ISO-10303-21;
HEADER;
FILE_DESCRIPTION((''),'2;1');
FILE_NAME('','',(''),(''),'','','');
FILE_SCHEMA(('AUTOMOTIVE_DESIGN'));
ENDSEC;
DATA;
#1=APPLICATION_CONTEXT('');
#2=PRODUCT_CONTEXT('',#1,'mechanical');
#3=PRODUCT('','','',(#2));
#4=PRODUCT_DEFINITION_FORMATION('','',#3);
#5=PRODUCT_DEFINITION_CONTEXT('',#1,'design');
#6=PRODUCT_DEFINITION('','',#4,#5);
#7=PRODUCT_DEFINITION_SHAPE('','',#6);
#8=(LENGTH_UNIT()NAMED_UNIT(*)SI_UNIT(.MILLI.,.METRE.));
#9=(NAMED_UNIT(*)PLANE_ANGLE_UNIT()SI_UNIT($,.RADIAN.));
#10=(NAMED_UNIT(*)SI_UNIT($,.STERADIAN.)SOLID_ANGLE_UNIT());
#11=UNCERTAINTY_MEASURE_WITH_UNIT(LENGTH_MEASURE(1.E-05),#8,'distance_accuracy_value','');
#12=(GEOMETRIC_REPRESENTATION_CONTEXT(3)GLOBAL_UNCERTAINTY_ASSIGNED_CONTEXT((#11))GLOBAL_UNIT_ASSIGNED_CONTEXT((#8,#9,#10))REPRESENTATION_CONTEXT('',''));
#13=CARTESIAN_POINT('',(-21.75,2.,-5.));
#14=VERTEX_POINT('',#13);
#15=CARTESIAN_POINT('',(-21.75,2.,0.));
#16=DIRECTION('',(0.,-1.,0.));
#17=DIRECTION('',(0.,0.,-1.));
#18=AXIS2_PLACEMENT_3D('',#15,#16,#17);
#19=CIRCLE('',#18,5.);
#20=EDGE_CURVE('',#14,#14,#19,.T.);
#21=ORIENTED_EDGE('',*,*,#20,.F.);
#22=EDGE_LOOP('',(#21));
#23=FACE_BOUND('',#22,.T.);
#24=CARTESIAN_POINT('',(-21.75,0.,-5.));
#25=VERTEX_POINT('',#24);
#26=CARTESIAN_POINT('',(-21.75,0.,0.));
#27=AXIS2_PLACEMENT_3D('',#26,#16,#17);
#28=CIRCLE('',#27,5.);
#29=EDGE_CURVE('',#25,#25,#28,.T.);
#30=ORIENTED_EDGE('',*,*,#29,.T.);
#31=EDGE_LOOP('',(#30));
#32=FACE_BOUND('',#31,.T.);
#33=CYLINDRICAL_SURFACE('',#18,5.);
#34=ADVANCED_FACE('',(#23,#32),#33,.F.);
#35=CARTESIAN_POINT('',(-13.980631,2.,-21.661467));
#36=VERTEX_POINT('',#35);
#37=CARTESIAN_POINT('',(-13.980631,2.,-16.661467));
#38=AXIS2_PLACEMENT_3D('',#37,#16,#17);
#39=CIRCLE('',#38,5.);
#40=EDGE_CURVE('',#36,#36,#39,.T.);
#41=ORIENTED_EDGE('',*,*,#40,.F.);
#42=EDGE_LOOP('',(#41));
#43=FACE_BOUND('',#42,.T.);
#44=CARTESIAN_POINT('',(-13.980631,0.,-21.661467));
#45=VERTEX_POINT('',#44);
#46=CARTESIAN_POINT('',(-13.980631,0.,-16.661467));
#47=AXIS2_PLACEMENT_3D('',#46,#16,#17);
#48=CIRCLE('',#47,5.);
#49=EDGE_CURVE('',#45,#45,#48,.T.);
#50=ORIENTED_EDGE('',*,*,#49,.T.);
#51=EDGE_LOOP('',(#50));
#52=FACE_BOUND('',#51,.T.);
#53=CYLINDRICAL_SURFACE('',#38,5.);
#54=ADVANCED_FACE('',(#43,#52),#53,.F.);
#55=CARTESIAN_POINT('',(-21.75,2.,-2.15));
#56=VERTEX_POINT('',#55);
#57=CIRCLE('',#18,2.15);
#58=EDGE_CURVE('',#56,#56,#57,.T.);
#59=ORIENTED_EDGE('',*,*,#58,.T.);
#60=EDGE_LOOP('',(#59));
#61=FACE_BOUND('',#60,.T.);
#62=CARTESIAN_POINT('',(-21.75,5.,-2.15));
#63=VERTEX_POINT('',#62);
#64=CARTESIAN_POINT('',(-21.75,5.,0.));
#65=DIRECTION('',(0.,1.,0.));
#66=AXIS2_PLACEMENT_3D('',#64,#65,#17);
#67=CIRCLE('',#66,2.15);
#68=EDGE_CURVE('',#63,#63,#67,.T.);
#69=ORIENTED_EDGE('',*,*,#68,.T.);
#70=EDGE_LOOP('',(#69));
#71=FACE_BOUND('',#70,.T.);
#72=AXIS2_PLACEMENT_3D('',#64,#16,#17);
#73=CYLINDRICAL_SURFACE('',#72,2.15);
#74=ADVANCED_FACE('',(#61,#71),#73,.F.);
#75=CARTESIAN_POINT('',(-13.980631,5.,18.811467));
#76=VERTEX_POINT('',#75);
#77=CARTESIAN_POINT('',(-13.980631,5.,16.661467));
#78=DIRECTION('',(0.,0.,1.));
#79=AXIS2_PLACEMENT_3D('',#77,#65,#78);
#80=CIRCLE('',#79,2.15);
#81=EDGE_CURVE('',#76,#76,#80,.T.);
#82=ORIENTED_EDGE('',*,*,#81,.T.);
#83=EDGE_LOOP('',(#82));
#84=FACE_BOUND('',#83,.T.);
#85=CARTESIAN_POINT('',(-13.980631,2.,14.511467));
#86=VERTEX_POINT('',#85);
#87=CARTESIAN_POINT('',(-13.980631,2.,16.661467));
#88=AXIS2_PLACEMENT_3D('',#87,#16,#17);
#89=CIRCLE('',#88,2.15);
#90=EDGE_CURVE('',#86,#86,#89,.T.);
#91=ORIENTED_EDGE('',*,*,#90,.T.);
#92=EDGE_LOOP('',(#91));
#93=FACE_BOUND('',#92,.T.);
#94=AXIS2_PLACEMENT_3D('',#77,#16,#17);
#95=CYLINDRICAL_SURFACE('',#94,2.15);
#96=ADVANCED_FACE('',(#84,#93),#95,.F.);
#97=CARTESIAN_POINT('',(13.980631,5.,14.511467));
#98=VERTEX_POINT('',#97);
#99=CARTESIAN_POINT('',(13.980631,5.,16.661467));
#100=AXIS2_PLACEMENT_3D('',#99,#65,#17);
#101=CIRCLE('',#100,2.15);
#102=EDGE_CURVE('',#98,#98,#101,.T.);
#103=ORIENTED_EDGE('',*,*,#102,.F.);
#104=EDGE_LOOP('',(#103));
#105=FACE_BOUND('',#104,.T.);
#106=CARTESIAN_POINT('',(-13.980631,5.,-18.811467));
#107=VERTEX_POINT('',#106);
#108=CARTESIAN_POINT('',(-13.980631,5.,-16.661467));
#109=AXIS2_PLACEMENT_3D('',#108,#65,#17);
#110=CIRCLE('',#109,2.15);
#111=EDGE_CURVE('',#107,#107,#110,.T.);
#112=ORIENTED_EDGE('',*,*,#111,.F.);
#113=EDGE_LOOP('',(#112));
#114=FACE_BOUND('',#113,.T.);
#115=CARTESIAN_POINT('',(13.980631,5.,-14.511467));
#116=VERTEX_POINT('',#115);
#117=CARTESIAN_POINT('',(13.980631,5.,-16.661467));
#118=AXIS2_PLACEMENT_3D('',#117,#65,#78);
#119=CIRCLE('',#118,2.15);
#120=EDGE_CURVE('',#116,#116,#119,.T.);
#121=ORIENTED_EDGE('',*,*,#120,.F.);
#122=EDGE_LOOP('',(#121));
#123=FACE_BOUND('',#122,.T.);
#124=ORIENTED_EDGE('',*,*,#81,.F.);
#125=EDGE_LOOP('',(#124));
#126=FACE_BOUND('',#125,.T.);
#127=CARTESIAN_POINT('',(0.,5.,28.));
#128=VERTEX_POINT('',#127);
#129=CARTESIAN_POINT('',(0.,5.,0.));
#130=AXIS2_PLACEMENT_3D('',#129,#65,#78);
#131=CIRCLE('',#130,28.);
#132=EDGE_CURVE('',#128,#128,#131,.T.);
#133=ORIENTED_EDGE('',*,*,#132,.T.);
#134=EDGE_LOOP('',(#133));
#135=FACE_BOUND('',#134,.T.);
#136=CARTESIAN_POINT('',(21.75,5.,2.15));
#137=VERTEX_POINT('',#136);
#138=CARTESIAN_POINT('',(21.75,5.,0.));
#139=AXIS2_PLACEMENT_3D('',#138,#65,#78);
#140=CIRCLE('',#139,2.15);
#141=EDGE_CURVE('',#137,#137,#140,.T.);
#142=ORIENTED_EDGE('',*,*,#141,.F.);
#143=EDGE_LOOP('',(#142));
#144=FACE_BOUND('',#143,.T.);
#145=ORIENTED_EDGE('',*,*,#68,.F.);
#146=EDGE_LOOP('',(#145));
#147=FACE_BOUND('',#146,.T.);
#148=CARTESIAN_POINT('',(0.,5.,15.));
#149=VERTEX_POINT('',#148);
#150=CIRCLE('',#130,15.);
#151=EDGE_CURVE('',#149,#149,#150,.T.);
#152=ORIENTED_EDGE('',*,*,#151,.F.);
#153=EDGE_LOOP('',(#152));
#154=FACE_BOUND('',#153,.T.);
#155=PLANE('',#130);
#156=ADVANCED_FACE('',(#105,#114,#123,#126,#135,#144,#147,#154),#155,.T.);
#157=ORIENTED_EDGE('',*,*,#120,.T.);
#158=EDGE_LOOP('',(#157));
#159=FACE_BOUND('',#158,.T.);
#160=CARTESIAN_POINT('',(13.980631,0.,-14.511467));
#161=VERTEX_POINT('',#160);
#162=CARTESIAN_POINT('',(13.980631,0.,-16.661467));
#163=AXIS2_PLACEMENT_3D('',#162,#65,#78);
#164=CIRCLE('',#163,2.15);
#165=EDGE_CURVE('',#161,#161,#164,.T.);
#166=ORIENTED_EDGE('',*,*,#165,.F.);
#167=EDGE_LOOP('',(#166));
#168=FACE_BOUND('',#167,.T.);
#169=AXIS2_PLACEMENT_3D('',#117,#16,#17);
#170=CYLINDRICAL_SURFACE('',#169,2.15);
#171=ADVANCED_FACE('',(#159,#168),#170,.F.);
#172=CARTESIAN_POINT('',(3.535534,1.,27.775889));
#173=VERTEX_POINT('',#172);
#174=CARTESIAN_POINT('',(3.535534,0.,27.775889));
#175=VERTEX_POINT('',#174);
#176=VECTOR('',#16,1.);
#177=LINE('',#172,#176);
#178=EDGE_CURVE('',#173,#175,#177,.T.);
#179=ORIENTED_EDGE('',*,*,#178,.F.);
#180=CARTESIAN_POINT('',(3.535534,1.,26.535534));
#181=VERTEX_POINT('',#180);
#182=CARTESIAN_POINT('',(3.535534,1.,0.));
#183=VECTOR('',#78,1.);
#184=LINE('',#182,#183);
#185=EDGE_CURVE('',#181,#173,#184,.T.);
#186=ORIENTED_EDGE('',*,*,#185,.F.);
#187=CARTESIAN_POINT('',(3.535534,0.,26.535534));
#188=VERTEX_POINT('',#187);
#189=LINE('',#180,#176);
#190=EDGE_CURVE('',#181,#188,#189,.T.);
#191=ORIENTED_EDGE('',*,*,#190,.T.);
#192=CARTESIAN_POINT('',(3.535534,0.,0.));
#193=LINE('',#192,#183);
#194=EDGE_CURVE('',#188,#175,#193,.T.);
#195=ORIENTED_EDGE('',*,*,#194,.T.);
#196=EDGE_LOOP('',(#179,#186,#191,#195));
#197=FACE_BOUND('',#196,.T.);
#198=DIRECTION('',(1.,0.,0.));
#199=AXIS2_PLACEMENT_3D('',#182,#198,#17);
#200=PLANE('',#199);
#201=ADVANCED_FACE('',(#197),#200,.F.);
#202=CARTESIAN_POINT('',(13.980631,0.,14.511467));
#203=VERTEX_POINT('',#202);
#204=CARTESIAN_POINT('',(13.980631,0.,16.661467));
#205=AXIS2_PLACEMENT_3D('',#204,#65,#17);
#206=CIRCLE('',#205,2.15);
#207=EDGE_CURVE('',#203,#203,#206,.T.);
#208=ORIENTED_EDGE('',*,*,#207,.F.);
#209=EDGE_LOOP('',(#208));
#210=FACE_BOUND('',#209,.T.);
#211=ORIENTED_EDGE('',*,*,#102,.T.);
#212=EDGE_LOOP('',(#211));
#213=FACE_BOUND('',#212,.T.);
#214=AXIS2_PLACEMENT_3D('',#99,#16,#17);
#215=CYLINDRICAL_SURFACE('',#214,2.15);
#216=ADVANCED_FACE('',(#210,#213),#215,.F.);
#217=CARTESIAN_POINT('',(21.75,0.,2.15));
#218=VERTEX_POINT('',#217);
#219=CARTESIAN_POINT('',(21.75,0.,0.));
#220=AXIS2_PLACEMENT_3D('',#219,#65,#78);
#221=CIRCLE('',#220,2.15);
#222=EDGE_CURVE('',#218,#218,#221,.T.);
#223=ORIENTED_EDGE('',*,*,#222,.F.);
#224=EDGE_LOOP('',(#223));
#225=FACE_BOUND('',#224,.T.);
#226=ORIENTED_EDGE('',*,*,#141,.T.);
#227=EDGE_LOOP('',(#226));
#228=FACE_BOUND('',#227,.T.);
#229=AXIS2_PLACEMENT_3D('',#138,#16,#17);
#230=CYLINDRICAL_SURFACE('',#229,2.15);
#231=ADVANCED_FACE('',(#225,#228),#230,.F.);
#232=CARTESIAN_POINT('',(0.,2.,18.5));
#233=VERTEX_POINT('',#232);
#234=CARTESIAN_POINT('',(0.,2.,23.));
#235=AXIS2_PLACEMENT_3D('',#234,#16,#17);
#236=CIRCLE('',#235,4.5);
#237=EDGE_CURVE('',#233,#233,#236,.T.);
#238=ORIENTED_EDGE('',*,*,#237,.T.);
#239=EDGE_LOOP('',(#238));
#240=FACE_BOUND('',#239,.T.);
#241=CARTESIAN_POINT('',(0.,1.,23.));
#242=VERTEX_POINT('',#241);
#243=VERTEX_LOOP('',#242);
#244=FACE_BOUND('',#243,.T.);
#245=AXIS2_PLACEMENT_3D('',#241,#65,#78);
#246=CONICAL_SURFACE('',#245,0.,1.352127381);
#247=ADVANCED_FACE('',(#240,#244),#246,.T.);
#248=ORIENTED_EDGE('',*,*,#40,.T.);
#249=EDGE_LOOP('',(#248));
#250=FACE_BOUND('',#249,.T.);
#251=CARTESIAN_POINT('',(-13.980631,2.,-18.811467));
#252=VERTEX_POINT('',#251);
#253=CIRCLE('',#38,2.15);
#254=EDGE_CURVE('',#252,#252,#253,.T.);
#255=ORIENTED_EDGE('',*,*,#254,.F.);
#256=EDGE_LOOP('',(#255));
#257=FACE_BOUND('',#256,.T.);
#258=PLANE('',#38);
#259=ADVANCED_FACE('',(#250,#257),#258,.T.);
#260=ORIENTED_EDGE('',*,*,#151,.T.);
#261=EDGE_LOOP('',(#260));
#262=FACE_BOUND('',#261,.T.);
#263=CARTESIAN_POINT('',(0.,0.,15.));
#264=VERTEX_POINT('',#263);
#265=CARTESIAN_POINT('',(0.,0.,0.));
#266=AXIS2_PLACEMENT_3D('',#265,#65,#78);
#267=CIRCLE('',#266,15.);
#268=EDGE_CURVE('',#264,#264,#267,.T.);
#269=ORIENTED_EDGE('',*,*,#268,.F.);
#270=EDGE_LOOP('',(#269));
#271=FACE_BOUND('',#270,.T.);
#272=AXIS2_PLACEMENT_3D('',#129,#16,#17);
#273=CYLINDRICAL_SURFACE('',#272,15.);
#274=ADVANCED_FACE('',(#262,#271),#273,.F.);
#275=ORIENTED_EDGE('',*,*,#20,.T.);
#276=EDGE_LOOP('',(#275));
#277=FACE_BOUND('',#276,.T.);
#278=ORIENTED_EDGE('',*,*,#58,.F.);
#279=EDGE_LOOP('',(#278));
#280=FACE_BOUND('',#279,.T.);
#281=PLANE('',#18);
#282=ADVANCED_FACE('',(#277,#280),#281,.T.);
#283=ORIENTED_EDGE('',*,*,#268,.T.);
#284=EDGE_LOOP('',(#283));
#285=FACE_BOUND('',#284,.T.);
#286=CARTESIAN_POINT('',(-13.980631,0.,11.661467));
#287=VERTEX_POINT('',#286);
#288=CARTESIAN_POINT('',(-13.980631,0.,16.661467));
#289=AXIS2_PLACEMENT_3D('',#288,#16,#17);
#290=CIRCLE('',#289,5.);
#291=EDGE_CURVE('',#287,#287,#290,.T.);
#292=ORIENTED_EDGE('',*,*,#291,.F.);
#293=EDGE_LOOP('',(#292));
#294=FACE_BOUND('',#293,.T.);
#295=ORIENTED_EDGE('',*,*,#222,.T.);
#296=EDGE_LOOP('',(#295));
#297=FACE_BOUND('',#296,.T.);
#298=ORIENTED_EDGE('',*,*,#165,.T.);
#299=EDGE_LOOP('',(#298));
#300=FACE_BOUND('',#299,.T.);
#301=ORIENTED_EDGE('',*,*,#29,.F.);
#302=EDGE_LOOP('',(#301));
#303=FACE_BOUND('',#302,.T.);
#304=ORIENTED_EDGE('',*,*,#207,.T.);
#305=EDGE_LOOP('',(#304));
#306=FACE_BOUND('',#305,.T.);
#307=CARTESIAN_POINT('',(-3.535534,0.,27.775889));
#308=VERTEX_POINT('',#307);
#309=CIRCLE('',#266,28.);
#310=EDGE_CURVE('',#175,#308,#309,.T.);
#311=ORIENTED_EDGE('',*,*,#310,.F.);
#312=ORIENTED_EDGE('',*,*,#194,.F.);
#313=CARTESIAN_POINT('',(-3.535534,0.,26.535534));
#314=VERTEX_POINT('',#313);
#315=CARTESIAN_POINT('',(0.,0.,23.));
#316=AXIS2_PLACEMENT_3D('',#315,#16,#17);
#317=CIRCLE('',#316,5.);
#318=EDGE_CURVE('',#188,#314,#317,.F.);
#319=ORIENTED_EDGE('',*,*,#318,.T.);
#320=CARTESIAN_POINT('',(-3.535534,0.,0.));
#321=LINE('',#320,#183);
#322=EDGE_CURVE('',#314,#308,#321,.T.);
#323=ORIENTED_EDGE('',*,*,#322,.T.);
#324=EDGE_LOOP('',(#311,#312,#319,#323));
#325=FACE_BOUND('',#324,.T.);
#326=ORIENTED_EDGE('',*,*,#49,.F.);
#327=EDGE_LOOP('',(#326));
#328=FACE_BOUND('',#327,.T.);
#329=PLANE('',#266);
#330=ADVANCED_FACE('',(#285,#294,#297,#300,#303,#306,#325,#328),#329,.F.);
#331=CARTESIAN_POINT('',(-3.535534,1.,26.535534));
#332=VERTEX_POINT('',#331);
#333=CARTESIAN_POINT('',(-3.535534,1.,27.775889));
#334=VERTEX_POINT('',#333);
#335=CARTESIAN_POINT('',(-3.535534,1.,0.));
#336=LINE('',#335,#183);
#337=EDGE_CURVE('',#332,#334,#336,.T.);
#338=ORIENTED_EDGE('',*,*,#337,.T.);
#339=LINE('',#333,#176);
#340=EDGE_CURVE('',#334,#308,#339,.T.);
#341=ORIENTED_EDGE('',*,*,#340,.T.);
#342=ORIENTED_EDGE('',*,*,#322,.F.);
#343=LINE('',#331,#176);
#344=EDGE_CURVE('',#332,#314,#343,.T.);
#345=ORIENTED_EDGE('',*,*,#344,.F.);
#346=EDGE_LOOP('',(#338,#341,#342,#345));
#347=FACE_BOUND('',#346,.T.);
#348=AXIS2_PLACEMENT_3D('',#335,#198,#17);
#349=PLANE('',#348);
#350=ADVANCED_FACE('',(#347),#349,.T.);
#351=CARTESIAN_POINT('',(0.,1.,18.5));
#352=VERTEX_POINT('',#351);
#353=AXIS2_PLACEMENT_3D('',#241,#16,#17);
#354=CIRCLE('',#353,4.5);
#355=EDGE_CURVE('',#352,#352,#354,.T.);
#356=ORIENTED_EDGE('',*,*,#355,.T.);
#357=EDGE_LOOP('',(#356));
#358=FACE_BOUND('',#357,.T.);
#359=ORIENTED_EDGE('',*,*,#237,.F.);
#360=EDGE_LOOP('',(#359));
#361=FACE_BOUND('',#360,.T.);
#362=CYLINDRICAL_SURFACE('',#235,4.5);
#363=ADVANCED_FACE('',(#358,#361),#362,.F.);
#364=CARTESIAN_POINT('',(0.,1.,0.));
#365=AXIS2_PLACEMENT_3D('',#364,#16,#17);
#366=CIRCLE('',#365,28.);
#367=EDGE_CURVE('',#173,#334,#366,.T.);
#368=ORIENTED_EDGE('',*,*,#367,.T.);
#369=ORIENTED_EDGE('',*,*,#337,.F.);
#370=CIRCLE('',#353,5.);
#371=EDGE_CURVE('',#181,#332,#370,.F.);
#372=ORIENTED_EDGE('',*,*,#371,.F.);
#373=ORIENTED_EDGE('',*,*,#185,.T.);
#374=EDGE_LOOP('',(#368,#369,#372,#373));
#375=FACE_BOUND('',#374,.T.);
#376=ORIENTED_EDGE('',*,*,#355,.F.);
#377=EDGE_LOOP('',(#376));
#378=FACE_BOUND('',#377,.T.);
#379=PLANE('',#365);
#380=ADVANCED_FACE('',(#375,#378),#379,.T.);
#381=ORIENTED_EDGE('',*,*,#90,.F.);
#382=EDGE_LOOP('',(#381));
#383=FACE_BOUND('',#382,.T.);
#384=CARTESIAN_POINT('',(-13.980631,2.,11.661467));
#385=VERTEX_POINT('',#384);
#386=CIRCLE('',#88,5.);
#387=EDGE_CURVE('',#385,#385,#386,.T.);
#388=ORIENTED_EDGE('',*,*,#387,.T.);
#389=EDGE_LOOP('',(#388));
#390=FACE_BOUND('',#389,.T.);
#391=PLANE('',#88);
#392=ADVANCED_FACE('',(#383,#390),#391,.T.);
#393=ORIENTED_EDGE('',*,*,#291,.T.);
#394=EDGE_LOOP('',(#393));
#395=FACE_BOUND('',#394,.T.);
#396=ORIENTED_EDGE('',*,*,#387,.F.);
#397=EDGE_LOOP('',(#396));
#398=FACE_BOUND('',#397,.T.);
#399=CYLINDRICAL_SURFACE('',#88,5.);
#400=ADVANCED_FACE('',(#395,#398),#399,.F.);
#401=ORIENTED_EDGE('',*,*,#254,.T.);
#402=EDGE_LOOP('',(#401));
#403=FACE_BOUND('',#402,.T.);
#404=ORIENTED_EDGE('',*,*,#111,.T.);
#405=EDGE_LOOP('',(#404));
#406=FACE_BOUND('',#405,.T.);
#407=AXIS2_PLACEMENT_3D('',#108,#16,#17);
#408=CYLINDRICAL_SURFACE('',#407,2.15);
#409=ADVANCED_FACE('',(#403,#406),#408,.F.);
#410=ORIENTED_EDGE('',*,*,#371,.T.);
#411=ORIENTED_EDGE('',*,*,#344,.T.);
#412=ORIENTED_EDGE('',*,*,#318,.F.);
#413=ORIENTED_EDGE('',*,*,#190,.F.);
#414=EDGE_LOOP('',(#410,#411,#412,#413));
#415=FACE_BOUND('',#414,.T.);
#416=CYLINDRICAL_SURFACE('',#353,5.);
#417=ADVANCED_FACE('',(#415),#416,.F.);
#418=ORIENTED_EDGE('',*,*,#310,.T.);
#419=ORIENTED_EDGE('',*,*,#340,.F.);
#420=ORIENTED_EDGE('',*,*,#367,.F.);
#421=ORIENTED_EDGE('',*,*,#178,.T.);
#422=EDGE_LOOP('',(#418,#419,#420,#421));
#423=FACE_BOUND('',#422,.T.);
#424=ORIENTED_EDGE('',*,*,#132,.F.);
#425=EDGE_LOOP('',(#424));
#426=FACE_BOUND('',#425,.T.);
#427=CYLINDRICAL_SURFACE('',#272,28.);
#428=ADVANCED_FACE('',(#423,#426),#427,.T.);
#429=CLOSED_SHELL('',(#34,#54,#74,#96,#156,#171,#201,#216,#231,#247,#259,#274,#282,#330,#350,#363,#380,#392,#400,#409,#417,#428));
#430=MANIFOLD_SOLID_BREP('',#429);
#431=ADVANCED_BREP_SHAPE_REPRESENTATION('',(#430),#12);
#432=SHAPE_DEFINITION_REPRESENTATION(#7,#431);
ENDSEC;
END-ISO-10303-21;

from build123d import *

# Parameters (mm, degrees)
SKETCH_1_R          = 28
SKETCH_1_R_2        = 2.15
SKETCH_1_R_3        = 15
EXTRUDE_1_DEPTH     = 5
CUT_EXTRUDE_3_DEPTH = 1
SKETCH_5_R          = 5
CUT_EXTRUDE_5_DEPTH = 2
SKETCH_6_R          = 4.5
CUT_EXTRUDE_6_DEPTH = 1


with BuildPart() as part:
    # 草图1 → 凸台-拉伸1 (new body)
    with BuildSketch(Plane(origin=(0, 0, 0), x_dir=(1, 0, 0), z_dir=(0, 1, 0))):
        Circle(SKETCH_1_R)
        with Locations((13.980630511, -16.661466638)):
            Circle(SKETCH_1_R_2, mode=Mode.SUBTRACT)
        with Locations((13.980630511, 16.661466638)):
            Circle(SKETCH_1_R_2, mode=Mode.SUBTRACT)
        with Locations((21.75, 0)):
            Circle(SKETCH_1_R_2, mode=Mode.SUBTRACT)
        with Locations((-13.980630511, -16.661466638)):
            Circle(SKETCH_1_R_2, mode=Mode.SUBTRACT)
        with Locations((-21.75, 0)):
            Circle(SKETCH_1_R_2, mode=Mode.SUBTRACT)
        with Locations((-13.980630511, 16.661466638)):
            Circle(SKETCH_1_R_2, mode=Mode.SUBTRACT)
        Circle(SKETCH_1_R_3, mode=Mode.SUBTRACT)
    extrude(amount=EXTRUDE_1_DEPTH)

    # 草图2 → 切除-拉伸3 (cut)
    with BuildSketch(Plane(origin=(0, 0, 0), x_dir=(1, 0, 0), z_dir=(0, 1, 0))):
        with BuildLine():
            Line((3.535533906, -26.535533906), (3.535533906, -27.775888825))
            ThreePointArc((3.535533906, -27.775888825), (0, -28), (-3.535533906, -27.775888825))
            Line((-3.535533906, -27.775888825), (-3.535533906, -26.535533906))
            ThreePointArc((-3.535533906, -26.535533906), (0, -18), (3.535533906, -26.535533906))
        make_face()
    extrude(amount=CUT_EXTRUDE_3_DEPTH, mode=Mode.SUBTRACT)

    # 草图5 → 切除-拉伸5 (cut)
    with BuildSketch(Plane.XZ):
        with Locations((-13.980630511, 16.661466638)):
            Circle(SKETCH_5_R)
        with Locations((-21.75, 0)):
            Circle(SKETCH_5_R)
        with Locations((-13.980630511, -16.661466638)):
            Circle(SKETCH_5_R)
    extrude(amount=-CUT_EXTRUDE_5_DEPTH, mode=Mode.SUBTRACT)

    # 草图6 → 切除-拉伸6 (cut)
    with BuildSketch(Plane.XZ.offset(-1)):
        with Locations((0, 23)):
            Circle(SKETCH_6_R)
    extrude(amount=-CUT_EXTRUDE_6_DEPTH, mode=Mode.SUBTRACT)

    # 草图7 → 旋转1 (revolve)
    with BuildSketch(Plane(origin=(0, 0, 0), x_dir=(0, -1, 0), z_dir=(-1, 0, 0))):
        Polygon((-2, 23), (-1, 23), (-2, 27.5), align=None)
    revolve(axis=Axis((0, 2, 23), (0, -1, 0)))


solid = part.part
